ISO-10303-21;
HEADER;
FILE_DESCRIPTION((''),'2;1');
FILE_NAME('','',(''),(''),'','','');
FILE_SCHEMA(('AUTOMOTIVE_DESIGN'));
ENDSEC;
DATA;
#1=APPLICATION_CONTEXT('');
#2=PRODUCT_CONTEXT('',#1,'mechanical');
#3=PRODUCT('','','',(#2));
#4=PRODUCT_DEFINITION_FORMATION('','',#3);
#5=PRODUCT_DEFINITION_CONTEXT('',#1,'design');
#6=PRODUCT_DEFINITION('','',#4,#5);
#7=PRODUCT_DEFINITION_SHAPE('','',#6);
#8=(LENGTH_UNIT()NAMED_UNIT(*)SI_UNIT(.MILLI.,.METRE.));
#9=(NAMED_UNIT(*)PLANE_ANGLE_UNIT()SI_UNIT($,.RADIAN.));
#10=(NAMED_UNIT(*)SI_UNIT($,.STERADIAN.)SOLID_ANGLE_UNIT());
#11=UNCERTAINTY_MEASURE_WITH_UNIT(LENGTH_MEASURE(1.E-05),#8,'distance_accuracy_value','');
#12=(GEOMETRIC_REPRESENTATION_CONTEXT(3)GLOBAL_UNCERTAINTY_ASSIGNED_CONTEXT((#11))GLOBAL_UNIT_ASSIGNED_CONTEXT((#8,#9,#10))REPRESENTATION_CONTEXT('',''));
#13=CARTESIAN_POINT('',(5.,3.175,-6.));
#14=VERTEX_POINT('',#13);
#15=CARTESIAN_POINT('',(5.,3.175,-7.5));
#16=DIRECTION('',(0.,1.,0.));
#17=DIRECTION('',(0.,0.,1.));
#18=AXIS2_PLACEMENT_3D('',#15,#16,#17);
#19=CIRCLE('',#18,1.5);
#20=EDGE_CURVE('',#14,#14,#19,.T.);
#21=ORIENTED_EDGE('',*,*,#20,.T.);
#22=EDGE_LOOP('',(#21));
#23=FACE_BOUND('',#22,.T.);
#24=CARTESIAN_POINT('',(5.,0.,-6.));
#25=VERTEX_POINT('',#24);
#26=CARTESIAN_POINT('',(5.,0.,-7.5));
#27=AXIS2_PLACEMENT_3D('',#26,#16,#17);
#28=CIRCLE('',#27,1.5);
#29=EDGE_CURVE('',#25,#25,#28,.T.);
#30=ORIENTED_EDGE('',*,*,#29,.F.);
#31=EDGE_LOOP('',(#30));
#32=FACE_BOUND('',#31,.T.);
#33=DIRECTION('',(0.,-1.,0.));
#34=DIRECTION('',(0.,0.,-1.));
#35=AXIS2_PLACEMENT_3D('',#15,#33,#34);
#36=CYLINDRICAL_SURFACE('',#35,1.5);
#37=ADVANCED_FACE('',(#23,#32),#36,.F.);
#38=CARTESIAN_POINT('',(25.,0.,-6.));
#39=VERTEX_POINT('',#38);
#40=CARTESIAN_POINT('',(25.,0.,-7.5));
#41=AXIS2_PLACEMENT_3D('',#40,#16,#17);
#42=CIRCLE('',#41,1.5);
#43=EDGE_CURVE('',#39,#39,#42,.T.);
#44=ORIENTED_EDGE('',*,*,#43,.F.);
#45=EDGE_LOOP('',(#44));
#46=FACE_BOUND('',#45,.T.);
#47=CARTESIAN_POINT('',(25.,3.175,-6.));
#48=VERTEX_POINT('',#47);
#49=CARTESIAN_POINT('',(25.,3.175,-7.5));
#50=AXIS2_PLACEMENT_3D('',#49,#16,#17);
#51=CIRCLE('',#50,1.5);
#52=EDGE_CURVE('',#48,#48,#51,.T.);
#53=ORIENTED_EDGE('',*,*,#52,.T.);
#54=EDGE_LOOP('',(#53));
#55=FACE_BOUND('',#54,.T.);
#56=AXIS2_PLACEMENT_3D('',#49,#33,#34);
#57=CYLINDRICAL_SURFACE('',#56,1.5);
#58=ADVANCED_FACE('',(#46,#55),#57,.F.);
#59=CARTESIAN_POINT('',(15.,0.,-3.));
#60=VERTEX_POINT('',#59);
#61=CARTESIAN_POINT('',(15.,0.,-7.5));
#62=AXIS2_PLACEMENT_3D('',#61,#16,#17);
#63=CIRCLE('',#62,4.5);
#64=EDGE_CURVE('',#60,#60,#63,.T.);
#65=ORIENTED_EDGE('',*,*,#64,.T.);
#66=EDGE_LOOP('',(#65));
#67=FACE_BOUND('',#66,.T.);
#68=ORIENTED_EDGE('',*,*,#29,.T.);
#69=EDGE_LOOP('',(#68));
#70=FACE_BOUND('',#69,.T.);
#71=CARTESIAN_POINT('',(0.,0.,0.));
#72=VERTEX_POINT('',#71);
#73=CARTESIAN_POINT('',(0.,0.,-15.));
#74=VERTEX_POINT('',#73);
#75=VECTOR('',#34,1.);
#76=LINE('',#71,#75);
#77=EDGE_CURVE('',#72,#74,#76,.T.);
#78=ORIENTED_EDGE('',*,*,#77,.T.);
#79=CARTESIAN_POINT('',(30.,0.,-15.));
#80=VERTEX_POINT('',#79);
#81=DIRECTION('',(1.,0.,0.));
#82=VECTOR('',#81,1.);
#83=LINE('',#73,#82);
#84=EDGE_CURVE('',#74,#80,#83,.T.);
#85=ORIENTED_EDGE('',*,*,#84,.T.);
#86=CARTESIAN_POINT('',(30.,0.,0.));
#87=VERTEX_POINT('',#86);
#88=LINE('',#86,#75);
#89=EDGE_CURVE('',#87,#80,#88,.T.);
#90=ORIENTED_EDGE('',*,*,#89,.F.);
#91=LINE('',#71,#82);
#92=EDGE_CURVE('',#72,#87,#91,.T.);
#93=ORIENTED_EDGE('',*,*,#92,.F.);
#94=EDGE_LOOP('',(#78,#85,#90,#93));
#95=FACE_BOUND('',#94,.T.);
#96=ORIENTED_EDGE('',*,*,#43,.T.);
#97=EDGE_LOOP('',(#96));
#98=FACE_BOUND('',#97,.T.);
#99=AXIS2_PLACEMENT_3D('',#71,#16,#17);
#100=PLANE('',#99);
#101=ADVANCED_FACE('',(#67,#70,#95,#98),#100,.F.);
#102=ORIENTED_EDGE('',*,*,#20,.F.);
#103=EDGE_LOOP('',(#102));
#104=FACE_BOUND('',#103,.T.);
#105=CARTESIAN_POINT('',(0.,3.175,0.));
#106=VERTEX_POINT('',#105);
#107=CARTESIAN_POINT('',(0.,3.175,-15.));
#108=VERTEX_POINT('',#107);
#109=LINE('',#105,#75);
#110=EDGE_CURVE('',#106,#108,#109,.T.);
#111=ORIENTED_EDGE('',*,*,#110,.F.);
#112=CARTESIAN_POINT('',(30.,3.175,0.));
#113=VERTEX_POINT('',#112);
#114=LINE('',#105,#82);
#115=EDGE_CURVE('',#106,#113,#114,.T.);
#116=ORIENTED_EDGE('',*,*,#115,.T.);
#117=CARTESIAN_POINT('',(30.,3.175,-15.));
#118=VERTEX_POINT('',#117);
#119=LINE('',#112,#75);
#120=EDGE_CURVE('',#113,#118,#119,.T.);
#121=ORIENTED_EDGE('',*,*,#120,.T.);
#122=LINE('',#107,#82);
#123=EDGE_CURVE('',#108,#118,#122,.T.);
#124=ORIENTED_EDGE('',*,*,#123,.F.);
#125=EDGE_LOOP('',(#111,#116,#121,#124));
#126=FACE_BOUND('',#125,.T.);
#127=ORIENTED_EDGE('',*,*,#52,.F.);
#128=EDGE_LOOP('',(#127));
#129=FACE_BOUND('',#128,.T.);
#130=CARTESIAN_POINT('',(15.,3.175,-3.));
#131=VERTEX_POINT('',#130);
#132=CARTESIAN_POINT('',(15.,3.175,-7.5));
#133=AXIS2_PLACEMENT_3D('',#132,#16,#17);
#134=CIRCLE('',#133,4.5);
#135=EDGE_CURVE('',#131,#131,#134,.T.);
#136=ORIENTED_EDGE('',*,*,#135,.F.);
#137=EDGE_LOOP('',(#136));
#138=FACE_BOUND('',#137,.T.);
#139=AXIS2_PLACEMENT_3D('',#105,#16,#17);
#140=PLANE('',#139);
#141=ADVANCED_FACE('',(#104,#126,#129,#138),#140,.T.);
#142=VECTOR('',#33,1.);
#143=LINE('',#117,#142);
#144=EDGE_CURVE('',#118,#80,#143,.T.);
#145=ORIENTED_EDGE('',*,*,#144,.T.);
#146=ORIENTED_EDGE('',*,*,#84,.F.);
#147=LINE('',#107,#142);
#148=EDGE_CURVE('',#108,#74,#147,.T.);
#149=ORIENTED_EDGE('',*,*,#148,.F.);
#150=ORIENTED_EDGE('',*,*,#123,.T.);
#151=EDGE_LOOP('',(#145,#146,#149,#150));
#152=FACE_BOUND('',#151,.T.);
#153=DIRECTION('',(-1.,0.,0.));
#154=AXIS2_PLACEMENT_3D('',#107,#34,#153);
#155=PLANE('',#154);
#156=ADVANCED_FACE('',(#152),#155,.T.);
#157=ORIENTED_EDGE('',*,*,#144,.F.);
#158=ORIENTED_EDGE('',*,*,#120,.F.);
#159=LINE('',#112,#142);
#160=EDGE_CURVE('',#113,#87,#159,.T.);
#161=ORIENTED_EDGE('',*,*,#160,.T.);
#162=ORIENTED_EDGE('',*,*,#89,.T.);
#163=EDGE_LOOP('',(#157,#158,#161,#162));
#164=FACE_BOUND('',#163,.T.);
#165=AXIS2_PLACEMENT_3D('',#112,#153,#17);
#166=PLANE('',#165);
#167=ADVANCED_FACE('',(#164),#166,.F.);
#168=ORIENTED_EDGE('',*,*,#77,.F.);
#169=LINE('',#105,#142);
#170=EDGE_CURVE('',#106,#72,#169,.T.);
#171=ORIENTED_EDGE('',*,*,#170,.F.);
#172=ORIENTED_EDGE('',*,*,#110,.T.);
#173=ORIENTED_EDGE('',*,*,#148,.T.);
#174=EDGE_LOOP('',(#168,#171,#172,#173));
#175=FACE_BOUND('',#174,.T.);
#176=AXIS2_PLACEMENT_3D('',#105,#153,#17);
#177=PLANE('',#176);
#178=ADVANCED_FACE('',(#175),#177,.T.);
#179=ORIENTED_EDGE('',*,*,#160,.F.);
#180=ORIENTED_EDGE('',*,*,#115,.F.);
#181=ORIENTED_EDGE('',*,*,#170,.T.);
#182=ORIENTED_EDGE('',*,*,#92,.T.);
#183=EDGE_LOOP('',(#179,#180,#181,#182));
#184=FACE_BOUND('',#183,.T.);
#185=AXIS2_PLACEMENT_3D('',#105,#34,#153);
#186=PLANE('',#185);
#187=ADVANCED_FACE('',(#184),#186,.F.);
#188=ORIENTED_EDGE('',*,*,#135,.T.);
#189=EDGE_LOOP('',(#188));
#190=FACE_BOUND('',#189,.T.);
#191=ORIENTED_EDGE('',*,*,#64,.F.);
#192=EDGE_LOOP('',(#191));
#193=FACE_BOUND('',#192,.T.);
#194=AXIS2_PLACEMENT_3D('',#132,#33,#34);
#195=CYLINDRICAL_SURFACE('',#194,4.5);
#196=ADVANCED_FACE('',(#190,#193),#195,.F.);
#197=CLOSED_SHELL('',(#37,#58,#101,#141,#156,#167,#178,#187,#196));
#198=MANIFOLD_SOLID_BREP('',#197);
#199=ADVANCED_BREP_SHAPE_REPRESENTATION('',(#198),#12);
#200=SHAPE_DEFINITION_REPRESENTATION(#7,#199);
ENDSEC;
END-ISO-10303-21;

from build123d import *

# Parameters (mm, degrees)
SKETCH1_W           = 30
SKETCH1_H           = 15
SKETCH1_R           = 4.5
SKETCH1_R_2         = 1.5
BOSS_EXTRUDE2_DEPTH = 3.175


with BuildPart() as part:
    # Sketch1 → Boss-Extrude2 (new body)
    with BuildSketch(Plane(origin=(0, 0, 0), x_dir=(1, 0, 0), z_dir=(0, 1, 0))):
        with Locations((15, 7.5)):
            Rectangle(SKETCH1_W, SKETCH1_H)
        with Locations(Location((15, 7.5, 0), (0, 0, 270))):
            Circle(SKETCH1_R, mode=Mode.SUBTRACT)
        with Locations(Location((25, 7.5, 0), (0, 0, 270))):
            Circle(SKETCH1_R_2, mode=Mode.SUBTRACT)
        with Locations(Location((5, 7.5, 0), (0, 0, 270))):
            Circle(SKETCH1_R_2, mode=Mode.SUBTRACT)
    extrude(amount=BOSS_EXTRUDE2_DEPTH)


solid = part.part
